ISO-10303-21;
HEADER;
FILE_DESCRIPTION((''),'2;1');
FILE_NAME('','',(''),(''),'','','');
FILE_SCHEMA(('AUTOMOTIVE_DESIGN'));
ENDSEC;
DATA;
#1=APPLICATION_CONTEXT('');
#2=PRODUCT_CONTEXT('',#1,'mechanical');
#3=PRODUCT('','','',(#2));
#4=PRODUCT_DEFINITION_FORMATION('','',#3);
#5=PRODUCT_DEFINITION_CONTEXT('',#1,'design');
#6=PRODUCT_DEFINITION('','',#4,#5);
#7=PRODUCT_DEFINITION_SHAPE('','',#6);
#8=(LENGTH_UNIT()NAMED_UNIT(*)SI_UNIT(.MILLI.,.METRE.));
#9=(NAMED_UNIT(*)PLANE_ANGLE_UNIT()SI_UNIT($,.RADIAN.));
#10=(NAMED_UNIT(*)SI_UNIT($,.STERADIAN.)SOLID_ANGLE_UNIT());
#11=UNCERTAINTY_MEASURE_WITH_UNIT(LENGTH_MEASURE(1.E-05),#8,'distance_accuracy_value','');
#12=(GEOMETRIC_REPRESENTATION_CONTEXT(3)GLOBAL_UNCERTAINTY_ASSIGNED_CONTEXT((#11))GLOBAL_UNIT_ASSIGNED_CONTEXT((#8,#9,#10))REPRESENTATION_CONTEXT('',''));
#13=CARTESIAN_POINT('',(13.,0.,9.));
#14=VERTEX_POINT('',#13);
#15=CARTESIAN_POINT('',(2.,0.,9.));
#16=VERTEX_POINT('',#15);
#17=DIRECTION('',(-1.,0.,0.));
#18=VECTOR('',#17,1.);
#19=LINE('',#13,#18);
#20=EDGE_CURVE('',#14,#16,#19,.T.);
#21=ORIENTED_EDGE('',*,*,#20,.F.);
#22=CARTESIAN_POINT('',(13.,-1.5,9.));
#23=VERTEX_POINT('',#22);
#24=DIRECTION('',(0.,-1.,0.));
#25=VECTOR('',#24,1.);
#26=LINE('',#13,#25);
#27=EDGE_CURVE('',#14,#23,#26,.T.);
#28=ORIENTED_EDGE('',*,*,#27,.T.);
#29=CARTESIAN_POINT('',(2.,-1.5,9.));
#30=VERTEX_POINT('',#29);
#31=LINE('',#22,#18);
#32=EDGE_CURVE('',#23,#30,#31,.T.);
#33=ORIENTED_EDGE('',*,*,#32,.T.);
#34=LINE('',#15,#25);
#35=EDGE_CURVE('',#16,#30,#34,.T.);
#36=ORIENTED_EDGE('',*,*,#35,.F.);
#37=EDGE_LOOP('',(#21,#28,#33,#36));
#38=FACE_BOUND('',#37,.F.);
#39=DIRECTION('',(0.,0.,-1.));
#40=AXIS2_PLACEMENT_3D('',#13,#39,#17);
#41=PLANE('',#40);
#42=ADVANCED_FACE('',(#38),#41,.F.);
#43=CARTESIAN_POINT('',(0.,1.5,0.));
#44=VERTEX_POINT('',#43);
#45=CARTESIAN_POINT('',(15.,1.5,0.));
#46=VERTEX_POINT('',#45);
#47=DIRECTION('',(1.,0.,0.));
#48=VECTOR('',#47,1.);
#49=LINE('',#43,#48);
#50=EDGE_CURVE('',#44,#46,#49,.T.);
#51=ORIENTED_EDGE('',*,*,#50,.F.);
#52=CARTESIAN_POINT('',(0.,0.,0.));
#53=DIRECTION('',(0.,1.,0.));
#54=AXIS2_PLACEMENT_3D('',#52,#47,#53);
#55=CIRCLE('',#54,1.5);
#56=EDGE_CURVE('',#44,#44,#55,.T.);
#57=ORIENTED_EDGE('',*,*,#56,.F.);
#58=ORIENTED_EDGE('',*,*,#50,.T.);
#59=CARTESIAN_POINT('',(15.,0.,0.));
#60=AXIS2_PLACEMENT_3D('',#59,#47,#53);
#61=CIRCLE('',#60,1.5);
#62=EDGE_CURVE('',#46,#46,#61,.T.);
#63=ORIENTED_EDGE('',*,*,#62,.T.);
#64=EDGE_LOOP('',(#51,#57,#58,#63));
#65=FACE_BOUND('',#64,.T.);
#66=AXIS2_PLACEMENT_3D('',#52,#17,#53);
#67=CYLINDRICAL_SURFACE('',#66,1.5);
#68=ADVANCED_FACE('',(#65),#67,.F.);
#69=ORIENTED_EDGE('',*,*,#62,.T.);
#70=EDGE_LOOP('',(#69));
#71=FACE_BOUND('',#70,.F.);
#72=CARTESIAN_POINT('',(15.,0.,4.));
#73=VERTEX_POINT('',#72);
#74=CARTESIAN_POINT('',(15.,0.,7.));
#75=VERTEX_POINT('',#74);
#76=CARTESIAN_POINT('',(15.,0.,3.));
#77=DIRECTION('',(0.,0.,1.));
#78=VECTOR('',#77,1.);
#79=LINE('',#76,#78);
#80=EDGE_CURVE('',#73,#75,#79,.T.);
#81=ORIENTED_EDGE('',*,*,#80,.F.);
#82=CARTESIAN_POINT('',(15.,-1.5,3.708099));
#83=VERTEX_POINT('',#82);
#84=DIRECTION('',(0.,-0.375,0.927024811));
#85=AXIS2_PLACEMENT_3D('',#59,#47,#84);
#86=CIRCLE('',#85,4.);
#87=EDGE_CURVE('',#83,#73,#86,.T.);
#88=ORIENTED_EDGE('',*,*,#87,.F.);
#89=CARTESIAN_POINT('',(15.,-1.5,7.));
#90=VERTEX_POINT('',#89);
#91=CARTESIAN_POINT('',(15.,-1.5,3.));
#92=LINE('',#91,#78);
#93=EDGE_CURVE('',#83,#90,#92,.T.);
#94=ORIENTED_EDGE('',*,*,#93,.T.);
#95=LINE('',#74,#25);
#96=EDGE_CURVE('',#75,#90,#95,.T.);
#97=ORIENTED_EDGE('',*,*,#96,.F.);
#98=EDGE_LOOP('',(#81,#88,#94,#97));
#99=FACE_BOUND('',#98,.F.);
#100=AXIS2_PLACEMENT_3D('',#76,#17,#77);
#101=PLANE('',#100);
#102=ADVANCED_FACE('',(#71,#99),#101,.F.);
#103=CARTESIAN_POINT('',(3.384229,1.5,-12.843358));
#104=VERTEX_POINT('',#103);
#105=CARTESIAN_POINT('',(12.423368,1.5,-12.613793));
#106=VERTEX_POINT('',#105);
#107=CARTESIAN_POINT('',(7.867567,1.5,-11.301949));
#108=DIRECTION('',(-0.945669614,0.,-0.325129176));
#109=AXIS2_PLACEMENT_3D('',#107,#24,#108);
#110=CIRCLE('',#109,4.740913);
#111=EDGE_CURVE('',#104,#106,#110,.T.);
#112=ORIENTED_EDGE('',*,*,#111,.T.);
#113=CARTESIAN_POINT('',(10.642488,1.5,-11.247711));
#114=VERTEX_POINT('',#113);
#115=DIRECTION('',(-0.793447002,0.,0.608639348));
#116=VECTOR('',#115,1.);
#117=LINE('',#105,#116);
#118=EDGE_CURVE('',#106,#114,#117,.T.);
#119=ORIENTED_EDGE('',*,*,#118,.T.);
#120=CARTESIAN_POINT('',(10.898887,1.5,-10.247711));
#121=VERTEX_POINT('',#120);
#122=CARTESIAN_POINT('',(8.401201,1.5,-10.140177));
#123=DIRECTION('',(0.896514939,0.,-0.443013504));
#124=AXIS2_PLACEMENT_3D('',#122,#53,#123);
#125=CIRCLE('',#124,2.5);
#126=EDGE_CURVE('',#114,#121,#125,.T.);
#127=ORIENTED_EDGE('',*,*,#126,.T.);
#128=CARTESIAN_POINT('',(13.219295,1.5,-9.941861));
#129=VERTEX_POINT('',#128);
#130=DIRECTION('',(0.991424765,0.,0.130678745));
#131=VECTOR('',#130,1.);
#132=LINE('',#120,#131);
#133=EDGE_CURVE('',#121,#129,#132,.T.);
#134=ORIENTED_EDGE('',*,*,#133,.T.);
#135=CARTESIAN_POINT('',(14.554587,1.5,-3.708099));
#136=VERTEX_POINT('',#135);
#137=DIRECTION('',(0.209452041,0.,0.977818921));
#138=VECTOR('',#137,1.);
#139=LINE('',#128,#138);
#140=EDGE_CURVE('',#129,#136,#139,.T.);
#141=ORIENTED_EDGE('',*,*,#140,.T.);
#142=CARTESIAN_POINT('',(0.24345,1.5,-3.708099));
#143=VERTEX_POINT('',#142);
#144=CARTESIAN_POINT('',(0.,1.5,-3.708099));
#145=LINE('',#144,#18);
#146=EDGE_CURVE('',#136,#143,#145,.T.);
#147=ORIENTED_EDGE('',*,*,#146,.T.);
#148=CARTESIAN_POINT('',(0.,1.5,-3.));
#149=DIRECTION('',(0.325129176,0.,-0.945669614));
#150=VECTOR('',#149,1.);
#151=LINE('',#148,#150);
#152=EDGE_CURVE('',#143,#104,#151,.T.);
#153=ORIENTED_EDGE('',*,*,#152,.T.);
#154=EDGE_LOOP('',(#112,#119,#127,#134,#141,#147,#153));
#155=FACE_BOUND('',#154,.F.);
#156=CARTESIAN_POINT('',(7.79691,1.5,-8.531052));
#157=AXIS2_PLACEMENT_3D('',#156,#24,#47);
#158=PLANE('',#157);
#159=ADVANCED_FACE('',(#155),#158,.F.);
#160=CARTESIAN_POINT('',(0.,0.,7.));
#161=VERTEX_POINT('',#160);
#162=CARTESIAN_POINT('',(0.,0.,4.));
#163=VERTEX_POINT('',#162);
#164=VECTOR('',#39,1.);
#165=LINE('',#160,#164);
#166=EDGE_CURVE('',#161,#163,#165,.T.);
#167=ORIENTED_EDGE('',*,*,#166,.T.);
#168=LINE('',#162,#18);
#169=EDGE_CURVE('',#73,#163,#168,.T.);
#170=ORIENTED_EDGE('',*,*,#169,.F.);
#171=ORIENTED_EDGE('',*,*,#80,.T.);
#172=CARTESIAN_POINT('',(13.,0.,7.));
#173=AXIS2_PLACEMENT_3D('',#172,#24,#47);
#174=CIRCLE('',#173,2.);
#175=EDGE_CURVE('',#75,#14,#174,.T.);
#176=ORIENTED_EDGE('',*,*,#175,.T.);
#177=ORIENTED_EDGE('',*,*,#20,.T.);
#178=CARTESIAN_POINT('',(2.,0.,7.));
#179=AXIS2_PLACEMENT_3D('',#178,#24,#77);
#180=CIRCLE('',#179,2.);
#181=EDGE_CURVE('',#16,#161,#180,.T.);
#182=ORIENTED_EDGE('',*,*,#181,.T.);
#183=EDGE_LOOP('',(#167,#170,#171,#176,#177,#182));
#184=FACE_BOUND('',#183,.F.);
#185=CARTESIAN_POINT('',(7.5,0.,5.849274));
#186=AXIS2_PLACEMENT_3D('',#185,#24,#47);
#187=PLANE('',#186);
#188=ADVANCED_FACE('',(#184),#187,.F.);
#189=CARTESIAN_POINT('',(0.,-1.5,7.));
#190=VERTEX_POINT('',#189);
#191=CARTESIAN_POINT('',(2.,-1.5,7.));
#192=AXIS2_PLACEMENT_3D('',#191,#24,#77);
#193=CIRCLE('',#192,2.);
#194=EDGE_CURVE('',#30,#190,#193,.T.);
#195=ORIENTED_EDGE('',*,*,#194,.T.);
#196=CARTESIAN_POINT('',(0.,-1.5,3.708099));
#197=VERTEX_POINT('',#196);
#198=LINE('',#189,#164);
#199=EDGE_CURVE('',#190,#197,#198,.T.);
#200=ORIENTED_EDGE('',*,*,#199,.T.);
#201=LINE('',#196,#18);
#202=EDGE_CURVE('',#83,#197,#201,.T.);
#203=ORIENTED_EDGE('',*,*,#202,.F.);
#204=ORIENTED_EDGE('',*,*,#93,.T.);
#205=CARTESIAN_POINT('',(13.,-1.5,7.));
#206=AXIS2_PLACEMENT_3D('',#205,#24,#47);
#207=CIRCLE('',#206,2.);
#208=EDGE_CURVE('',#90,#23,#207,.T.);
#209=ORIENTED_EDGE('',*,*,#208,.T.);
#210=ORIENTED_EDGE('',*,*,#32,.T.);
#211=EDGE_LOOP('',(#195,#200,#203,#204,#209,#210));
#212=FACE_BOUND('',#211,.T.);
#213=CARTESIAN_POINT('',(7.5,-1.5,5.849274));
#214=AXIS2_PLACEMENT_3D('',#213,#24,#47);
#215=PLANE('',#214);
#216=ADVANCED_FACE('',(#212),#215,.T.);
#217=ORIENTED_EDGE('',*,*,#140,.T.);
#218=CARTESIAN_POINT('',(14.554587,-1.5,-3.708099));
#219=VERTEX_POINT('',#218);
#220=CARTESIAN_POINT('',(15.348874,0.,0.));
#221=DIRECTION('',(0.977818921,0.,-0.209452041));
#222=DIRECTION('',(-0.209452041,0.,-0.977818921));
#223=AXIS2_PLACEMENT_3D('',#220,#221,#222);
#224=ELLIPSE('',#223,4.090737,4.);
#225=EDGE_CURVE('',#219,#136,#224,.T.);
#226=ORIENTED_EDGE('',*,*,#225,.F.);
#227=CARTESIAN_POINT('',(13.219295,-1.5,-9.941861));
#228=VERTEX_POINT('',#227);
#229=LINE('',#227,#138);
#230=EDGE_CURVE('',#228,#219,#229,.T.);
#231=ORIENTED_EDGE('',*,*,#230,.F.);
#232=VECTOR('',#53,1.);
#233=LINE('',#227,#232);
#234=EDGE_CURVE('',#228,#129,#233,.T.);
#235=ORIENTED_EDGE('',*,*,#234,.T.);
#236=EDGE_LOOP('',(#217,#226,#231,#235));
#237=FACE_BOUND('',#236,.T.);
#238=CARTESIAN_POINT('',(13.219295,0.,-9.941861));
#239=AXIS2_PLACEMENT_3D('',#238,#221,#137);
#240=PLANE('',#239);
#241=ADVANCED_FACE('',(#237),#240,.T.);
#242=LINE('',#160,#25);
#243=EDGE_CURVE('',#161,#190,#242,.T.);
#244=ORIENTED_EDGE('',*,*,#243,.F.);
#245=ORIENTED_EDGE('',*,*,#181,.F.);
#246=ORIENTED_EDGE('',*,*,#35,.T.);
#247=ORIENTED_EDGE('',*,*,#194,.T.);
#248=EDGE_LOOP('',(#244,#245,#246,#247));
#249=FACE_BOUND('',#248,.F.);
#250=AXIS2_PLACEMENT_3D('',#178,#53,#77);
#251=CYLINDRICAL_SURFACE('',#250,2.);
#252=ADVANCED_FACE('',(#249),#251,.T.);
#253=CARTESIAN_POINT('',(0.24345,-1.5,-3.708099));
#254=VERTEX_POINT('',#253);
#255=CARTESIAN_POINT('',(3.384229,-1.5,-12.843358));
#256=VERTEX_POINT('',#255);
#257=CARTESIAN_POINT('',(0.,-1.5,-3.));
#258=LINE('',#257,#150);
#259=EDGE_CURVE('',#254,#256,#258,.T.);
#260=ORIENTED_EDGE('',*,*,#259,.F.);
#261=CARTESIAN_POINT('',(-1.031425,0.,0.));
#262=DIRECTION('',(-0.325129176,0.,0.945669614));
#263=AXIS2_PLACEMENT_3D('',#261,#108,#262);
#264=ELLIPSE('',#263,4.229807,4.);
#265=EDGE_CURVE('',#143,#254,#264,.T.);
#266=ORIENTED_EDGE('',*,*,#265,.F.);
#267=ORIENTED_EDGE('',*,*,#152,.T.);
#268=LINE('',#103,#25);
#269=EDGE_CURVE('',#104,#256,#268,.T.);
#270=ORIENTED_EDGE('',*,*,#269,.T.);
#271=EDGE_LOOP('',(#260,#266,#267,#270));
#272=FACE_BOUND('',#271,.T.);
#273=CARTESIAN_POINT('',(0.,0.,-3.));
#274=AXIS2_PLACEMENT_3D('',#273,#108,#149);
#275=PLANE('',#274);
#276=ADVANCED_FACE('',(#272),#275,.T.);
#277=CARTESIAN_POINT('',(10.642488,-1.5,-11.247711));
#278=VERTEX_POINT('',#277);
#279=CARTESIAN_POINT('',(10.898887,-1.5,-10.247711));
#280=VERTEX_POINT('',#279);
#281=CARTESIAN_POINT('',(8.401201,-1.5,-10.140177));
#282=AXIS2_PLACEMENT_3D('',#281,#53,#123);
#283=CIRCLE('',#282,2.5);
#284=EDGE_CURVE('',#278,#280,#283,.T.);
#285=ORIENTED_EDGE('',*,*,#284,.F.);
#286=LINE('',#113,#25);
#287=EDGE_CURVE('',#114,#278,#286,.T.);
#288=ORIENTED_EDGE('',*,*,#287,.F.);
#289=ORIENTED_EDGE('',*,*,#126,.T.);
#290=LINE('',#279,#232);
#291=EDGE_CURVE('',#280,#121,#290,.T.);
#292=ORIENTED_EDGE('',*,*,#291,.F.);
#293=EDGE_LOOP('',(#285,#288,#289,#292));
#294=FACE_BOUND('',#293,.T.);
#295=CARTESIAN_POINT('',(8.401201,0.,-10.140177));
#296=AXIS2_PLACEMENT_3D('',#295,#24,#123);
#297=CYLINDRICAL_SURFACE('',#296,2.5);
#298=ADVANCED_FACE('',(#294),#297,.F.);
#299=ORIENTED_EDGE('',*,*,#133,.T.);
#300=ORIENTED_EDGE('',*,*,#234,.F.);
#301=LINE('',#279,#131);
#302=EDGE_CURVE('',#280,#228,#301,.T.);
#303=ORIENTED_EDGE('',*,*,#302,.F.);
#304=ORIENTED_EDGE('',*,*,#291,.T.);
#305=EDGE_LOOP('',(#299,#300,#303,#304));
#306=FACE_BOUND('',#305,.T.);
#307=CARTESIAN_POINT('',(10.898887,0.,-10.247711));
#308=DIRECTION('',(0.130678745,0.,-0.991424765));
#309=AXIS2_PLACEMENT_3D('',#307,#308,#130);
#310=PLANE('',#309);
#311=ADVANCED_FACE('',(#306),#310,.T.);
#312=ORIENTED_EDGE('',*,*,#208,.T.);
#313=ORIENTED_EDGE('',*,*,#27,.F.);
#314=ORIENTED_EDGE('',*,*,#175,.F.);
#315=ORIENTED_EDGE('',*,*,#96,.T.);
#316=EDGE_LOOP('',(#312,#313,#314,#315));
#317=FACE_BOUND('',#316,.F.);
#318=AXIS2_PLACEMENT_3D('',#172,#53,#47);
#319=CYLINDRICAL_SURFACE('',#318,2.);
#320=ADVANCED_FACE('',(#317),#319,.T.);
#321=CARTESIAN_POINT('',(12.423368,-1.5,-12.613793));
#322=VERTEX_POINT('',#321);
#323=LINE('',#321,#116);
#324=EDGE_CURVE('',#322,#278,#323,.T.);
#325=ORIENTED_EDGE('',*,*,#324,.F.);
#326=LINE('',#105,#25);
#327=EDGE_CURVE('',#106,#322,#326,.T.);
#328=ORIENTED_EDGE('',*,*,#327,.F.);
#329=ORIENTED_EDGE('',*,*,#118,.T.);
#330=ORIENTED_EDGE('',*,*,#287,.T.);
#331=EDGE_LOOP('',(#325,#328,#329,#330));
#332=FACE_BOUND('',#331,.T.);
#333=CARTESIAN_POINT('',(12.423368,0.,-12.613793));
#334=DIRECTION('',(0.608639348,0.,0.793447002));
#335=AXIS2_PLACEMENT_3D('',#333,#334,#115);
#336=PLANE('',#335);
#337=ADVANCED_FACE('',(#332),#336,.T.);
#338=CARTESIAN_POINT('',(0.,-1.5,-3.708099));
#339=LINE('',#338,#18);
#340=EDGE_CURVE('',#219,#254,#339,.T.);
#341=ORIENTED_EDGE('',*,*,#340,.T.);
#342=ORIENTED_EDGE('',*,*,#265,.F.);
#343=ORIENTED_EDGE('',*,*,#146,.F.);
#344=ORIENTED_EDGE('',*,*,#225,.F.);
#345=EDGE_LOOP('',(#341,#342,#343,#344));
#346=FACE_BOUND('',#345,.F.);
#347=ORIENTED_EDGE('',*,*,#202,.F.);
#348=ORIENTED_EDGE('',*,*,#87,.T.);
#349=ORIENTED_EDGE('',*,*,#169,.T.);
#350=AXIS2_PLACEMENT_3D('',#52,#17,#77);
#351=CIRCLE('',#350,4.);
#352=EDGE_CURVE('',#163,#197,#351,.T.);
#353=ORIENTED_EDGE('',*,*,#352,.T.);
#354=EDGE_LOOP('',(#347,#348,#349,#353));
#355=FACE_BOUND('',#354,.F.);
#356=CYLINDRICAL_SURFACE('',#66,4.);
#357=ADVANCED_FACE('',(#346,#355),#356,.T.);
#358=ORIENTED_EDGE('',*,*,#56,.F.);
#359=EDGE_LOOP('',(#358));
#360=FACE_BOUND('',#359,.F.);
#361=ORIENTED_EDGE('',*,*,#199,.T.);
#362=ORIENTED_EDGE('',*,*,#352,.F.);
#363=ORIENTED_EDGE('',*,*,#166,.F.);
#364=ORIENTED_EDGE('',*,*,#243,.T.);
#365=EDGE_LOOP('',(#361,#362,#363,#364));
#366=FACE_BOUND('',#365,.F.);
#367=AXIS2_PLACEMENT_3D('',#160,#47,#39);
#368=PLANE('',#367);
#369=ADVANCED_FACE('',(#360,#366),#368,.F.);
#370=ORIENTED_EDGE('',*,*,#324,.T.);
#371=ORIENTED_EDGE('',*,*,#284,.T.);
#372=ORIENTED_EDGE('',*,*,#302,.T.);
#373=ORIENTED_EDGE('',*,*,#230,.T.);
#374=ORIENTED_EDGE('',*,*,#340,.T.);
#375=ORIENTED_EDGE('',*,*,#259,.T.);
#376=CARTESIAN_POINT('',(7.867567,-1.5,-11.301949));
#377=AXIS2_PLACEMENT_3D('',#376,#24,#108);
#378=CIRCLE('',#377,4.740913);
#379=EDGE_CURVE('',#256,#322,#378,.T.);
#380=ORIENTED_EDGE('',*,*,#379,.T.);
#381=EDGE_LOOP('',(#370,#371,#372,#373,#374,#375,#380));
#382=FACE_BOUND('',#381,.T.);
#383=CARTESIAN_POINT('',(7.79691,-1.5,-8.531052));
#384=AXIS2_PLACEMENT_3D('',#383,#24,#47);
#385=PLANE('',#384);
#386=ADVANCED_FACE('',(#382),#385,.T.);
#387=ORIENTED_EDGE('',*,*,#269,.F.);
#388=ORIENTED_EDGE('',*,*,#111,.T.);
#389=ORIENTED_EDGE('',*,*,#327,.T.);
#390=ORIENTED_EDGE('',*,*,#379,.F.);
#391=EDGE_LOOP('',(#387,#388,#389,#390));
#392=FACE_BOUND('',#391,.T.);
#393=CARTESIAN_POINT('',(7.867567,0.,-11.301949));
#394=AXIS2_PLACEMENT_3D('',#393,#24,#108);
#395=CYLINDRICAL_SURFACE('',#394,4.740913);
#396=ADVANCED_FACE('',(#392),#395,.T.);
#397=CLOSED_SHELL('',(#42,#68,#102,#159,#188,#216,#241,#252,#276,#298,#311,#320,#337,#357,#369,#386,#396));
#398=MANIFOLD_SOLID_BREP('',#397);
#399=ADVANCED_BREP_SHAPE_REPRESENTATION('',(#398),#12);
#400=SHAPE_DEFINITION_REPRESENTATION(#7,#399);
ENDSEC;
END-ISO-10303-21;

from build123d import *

# Parameters (mm, degrees)
F0_R     = 4
F0_R_2   = 1.5
F1_DEPTH = 15
F3_DEPTH = 1.5
F5_DEPTH = 1.5


with BuildPart() as f1:
    # F0 (on Right) → F1 (new body)
    with BuildSketch(Plane.YZ):
        Circle(F0_R)
        Circle(F0_R_2, mode=Mode.SUBTRACT)
    extrude(amount=F1_DEPTH)

    # F2 (on Front) → F3 (join, symmetric)
    with BuildSketch(Plane.XZ):
        with BuildLine():
            Line((14.70626425, -3), (0, -3))
            Line((0, -3), (3.3842294856, -12.8433583514))
            ThreePointArc((3.3842294856, -12.8433583514), (7.9879322575, -16.0413339461), (12.4233677026, -12.6137926218))
            Line((12.4233677026, -12.6137926218), (10.6424884871, -11.2477112561))
            ThreePointArc((10.6424884871, -11.2477112561), (5.979534847, -9.5192649707), (10.8988873674, -10.2477112561))
            Line((10.8988873674, -10.2477112561), (13.2192947992, -9.9418605826))
            Line((13.2192947992, -9.9418605826), (14.70626425, -3))
        make_face()
    extrude(amount=F3_DEPTH, both=True)

    # F4 (on Front) → F5 (join)
    with BuildSketch(Plane.XZ):
        with BuildLine():
            Line((0, 7), (0, 3))
            Line((0, 3), (15, 3))
            Line((15, 3), (15, 7))
            ThreePointArc((15, 7), (14.4142135624, 8.4142135624), (13, 9))
            Line((13, 9), (2, 9))
            ThreePointArc((2, 9), (0.5857864376, 8.4142135624), (0, 7))
        make_face()
    extrude(amount=F5_DEPTH)


solid = f1.part
